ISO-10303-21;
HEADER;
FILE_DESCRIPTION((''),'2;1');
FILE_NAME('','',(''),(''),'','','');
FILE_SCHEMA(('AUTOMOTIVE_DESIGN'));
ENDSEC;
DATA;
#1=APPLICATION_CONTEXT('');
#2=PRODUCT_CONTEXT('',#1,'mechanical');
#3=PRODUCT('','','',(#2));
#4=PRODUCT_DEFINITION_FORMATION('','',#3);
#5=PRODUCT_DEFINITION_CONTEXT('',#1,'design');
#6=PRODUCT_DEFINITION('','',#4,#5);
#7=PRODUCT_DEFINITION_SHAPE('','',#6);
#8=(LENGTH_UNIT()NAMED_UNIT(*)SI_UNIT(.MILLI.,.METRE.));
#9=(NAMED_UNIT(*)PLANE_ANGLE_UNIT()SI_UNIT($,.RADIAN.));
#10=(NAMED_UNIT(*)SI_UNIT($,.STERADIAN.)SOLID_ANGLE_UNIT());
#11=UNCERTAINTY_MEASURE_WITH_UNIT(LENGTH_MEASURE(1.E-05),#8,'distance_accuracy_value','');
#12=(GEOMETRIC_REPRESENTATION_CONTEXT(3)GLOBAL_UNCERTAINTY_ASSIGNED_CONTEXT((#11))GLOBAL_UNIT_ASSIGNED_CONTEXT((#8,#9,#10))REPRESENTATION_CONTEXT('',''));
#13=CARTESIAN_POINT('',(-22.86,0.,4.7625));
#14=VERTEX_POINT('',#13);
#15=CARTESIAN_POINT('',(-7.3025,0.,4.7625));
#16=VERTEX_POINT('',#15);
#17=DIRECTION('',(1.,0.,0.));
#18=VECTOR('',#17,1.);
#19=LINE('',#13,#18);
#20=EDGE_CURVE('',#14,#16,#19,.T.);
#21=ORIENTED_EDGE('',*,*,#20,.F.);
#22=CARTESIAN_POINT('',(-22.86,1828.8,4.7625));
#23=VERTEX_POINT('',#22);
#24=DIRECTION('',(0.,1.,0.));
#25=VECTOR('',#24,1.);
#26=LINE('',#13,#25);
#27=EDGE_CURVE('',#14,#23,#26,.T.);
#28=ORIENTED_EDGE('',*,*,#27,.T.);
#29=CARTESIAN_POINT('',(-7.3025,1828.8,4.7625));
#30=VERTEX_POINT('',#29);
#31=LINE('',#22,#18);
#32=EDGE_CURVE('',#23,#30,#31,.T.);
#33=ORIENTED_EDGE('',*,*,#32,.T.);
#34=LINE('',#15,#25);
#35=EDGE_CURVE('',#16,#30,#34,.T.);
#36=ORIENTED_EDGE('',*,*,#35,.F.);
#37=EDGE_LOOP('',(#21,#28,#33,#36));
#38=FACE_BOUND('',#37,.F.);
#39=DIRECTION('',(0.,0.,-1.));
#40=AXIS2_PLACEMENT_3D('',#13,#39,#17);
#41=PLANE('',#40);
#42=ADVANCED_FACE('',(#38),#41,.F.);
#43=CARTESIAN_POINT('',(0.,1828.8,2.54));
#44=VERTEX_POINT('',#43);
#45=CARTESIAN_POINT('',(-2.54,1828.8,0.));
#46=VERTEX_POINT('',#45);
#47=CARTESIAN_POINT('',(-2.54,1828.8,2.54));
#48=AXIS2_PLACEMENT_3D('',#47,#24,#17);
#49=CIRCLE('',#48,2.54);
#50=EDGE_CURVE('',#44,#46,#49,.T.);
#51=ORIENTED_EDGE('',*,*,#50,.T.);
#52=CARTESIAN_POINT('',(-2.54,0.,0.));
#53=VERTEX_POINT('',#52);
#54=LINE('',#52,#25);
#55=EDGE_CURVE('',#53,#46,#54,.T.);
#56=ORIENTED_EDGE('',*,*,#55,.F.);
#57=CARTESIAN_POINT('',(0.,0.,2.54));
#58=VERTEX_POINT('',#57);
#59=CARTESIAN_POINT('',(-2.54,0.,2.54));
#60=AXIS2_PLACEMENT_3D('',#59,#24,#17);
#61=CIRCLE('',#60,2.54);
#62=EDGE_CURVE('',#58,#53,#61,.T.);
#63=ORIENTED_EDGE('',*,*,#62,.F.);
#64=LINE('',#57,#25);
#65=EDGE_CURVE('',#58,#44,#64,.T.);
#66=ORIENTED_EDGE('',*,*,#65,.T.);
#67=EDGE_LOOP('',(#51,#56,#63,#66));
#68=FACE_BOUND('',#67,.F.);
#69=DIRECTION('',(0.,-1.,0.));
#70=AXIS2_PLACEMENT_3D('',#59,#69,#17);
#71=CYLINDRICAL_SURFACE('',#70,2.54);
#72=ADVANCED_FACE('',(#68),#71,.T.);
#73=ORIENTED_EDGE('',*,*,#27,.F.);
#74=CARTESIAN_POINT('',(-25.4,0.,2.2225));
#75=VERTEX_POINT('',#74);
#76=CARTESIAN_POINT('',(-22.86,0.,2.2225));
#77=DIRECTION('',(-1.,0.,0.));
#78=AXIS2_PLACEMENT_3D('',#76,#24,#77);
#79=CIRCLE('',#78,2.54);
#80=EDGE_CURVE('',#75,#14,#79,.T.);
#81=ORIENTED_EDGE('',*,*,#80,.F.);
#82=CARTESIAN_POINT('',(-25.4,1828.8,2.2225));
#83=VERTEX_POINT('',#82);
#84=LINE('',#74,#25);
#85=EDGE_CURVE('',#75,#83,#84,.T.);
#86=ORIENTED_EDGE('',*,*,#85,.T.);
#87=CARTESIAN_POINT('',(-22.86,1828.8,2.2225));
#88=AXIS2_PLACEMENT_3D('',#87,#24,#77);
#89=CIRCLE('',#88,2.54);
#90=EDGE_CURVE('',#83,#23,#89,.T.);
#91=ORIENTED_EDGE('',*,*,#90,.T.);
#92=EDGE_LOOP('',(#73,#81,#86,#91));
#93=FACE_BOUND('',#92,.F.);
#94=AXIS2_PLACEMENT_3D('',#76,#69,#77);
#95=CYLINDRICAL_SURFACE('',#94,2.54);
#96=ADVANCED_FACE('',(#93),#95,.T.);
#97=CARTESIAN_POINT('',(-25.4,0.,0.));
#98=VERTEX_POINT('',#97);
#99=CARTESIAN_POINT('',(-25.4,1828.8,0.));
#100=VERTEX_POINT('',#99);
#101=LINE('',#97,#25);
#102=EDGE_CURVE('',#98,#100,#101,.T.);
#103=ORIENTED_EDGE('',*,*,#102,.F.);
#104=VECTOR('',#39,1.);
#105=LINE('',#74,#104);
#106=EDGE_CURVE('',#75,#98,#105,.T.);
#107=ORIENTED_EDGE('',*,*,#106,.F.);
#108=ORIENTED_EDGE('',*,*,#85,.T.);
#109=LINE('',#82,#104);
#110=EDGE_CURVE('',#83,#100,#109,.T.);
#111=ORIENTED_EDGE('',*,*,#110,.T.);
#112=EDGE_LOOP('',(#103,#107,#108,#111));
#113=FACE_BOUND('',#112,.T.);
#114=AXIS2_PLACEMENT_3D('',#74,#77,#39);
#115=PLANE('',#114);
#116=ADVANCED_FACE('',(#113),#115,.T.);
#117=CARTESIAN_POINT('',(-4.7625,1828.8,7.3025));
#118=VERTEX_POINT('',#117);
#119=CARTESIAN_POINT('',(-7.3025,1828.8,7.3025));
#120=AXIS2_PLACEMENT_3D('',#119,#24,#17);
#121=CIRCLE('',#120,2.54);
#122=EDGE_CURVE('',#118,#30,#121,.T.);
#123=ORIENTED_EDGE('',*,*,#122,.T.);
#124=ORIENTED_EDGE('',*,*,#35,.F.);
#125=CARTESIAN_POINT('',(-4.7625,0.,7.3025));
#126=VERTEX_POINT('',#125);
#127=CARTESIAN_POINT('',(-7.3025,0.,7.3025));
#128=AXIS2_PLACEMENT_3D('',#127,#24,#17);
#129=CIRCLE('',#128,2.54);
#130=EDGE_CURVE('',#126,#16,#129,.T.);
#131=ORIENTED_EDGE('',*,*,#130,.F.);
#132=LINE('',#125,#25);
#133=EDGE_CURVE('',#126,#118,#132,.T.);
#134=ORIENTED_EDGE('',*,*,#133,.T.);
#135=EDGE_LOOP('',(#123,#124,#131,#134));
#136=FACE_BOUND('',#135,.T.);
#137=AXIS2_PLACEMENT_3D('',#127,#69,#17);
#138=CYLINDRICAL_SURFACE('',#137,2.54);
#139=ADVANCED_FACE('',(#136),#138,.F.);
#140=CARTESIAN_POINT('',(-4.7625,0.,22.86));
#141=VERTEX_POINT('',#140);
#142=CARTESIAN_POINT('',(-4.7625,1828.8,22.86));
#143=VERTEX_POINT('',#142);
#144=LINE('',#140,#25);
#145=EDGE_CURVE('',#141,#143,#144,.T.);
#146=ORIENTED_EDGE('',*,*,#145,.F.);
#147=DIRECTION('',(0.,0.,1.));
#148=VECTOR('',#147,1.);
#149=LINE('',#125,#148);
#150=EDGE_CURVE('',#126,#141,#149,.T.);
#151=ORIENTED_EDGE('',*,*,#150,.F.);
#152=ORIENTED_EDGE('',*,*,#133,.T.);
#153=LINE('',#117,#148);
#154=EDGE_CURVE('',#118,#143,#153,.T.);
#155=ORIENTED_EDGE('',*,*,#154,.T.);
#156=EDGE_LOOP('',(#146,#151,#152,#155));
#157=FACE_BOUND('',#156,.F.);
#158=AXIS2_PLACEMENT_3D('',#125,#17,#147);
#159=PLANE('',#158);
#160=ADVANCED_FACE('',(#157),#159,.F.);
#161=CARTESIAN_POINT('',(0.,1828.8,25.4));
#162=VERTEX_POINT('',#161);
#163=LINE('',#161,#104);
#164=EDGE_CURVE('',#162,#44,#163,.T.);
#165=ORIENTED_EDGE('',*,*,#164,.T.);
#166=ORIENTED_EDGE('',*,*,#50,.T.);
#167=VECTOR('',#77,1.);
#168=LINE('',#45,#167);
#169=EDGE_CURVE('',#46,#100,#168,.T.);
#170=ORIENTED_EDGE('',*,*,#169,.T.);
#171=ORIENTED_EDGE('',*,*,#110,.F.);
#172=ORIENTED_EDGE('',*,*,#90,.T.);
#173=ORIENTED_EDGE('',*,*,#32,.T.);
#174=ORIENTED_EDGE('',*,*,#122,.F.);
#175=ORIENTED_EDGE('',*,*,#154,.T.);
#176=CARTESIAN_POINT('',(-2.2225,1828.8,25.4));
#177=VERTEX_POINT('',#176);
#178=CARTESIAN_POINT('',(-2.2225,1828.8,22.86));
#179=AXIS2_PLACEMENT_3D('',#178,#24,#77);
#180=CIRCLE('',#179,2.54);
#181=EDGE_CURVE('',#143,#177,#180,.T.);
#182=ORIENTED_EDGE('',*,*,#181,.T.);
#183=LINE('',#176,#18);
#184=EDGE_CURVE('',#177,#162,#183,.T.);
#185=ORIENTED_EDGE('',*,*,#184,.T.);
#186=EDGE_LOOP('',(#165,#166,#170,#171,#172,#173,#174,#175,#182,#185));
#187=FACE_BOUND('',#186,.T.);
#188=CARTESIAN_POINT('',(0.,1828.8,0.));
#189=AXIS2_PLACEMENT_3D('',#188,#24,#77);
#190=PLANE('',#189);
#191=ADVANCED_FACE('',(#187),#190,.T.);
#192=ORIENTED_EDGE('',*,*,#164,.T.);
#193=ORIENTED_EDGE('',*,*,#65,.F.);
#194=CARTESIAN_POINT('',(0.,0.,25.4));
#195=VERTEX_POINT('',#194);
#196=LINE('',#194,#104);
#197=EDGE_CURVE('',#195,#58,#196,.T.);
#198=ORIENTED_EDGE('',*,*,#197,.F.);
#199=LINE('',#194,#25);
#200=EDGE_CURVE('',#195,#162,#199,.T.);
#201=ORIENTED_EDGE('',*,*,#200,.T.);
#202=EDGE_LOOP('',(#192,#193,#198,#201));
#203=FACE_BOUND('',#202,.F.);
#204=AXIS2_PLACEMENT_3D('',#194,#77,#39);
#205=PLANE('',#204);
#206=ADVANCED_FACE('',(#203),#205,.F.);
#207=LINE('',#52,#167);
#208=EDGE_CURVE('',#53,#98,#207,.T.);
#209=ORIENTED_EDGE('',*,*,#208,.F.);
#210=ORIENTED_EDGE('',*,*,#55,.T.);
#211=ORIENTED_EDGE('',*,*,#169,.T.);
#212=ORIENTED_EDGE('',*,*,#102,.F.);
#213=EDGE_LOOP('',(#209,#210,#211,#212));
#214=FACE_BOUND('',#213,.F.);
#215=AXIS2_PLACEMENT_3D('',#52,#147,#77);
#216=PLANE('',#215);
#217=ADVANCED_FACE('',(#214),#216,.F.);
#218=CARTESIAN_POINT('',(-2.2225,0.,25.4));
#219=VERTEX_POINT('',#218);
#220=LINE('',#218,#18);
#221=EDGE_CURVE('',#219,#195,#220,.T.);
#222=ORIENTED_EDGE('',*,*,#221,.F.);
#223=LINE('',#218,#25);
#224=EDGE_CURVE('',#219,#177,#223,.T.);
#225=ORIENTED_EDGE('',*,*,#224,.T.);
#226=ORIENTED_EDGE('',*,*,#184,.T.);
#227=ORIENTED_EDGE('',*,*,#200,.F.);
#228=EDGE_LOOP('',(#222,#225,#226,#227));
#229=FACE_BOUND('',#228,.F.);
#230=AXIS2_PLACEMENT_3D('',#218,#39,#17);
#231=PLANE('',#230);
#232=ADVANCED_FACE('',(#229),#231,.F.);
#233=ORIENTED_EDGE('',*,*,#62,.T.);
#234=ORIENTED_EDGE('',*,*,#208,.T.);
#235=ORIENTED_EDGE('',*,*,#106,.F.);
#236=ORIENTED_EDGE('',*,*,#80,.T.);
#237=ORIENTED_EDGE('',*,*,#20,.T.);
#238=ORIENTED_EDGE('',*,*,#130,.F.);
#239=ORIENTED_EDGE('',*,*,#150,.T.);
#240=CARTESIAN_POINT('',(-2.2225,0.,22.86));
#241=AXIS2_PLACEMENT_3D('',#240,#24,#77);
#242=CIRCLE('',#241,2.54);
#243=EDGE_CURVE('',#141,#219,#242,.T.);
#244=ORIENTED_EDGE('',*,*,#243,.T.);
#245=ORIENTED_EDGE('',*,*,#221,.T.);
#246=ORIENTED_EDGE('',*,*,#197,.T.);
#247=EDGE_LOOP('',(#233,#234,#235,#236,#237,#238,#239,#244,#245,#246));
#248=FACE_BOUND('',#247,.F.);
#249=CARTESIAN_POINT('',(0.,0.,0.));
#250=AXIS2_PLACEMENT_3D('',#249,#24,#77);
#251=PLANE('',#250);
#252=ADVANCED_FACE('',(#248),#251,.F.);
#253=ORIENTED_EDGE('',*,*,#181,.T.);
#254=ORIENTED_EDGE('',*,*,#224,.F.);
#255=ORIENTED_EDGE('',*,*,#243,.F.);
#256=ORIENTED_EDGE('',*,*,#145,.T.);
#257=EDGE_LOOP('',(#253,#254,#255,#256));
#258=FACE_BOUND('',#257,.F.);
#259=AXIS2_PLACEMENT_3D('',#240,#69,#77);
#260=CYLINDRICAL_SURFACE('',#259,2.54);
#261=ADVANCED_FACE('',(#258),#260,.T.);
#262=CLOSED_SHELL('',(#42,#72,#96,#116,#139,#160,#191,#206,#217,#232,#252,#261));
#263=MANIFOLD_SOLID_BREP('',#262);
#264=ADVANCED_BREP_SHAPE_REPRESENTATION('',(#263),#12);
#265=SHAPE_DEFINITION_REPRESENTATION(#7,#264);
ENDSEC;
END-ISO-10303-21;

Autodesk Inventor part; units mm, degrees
ref_plane "YZ Plane" through (0, 0, 0) normal (1, 0, 0) x (0, 1, 0)
ref_plane "XZ Plane" through (0, 0, 0) normal (0, 1, 0) x (-1, 0, 0)
ref_plane "XY Plane" through (0, 0, 0) normal (0, 0, 1) x (1, 0, 0)
sketch "Sketch1" plane through (0, 0, 0) normal (0, 1, 0) x (-1, 0, 0)
  line L0 (2.54, 0) -> (25.4, 0)
  line L1 (0, 25.4) -> (0, 2.54)
  line L2 (22.86, 4.7625) -> (7.3025, 4.7625)
  line L3 (4.7625, 7.3025) -> (4.7625, 22.86)
  line L4 (2.2225, 25.4) -> (0, 25.4)
  line L5 (25.4, 2.2225) -> (25.4, 0)
  arc A0 (4.7625, 7.3025) -> (7.3025, 4.7625) centre (7.3025, 7.3025) ccw
  arc A1 (4.7625, 22.86) -> (2.2225, 25.4) centre (2.2225, 22.86) ccw
  arc A2 (0, 2.54) -> (2.54, 0) centre (2.54, 2.54) ccw
  arc A3 (25.4, 2.2225) -> (22.86, 4.7625) centre (22.86, 2.2225) ccw
  point P0 (0, 0)
  dimension "d2" = 4.7625
  dimension "d3" = 25.4
  dimension "d4" = 25.4
  dimension "d5" = 2.54
extrude "Angle Iron Template" add sketch "Sketch1" along normal blind 1828.8
properties part number "legs-f_t"
